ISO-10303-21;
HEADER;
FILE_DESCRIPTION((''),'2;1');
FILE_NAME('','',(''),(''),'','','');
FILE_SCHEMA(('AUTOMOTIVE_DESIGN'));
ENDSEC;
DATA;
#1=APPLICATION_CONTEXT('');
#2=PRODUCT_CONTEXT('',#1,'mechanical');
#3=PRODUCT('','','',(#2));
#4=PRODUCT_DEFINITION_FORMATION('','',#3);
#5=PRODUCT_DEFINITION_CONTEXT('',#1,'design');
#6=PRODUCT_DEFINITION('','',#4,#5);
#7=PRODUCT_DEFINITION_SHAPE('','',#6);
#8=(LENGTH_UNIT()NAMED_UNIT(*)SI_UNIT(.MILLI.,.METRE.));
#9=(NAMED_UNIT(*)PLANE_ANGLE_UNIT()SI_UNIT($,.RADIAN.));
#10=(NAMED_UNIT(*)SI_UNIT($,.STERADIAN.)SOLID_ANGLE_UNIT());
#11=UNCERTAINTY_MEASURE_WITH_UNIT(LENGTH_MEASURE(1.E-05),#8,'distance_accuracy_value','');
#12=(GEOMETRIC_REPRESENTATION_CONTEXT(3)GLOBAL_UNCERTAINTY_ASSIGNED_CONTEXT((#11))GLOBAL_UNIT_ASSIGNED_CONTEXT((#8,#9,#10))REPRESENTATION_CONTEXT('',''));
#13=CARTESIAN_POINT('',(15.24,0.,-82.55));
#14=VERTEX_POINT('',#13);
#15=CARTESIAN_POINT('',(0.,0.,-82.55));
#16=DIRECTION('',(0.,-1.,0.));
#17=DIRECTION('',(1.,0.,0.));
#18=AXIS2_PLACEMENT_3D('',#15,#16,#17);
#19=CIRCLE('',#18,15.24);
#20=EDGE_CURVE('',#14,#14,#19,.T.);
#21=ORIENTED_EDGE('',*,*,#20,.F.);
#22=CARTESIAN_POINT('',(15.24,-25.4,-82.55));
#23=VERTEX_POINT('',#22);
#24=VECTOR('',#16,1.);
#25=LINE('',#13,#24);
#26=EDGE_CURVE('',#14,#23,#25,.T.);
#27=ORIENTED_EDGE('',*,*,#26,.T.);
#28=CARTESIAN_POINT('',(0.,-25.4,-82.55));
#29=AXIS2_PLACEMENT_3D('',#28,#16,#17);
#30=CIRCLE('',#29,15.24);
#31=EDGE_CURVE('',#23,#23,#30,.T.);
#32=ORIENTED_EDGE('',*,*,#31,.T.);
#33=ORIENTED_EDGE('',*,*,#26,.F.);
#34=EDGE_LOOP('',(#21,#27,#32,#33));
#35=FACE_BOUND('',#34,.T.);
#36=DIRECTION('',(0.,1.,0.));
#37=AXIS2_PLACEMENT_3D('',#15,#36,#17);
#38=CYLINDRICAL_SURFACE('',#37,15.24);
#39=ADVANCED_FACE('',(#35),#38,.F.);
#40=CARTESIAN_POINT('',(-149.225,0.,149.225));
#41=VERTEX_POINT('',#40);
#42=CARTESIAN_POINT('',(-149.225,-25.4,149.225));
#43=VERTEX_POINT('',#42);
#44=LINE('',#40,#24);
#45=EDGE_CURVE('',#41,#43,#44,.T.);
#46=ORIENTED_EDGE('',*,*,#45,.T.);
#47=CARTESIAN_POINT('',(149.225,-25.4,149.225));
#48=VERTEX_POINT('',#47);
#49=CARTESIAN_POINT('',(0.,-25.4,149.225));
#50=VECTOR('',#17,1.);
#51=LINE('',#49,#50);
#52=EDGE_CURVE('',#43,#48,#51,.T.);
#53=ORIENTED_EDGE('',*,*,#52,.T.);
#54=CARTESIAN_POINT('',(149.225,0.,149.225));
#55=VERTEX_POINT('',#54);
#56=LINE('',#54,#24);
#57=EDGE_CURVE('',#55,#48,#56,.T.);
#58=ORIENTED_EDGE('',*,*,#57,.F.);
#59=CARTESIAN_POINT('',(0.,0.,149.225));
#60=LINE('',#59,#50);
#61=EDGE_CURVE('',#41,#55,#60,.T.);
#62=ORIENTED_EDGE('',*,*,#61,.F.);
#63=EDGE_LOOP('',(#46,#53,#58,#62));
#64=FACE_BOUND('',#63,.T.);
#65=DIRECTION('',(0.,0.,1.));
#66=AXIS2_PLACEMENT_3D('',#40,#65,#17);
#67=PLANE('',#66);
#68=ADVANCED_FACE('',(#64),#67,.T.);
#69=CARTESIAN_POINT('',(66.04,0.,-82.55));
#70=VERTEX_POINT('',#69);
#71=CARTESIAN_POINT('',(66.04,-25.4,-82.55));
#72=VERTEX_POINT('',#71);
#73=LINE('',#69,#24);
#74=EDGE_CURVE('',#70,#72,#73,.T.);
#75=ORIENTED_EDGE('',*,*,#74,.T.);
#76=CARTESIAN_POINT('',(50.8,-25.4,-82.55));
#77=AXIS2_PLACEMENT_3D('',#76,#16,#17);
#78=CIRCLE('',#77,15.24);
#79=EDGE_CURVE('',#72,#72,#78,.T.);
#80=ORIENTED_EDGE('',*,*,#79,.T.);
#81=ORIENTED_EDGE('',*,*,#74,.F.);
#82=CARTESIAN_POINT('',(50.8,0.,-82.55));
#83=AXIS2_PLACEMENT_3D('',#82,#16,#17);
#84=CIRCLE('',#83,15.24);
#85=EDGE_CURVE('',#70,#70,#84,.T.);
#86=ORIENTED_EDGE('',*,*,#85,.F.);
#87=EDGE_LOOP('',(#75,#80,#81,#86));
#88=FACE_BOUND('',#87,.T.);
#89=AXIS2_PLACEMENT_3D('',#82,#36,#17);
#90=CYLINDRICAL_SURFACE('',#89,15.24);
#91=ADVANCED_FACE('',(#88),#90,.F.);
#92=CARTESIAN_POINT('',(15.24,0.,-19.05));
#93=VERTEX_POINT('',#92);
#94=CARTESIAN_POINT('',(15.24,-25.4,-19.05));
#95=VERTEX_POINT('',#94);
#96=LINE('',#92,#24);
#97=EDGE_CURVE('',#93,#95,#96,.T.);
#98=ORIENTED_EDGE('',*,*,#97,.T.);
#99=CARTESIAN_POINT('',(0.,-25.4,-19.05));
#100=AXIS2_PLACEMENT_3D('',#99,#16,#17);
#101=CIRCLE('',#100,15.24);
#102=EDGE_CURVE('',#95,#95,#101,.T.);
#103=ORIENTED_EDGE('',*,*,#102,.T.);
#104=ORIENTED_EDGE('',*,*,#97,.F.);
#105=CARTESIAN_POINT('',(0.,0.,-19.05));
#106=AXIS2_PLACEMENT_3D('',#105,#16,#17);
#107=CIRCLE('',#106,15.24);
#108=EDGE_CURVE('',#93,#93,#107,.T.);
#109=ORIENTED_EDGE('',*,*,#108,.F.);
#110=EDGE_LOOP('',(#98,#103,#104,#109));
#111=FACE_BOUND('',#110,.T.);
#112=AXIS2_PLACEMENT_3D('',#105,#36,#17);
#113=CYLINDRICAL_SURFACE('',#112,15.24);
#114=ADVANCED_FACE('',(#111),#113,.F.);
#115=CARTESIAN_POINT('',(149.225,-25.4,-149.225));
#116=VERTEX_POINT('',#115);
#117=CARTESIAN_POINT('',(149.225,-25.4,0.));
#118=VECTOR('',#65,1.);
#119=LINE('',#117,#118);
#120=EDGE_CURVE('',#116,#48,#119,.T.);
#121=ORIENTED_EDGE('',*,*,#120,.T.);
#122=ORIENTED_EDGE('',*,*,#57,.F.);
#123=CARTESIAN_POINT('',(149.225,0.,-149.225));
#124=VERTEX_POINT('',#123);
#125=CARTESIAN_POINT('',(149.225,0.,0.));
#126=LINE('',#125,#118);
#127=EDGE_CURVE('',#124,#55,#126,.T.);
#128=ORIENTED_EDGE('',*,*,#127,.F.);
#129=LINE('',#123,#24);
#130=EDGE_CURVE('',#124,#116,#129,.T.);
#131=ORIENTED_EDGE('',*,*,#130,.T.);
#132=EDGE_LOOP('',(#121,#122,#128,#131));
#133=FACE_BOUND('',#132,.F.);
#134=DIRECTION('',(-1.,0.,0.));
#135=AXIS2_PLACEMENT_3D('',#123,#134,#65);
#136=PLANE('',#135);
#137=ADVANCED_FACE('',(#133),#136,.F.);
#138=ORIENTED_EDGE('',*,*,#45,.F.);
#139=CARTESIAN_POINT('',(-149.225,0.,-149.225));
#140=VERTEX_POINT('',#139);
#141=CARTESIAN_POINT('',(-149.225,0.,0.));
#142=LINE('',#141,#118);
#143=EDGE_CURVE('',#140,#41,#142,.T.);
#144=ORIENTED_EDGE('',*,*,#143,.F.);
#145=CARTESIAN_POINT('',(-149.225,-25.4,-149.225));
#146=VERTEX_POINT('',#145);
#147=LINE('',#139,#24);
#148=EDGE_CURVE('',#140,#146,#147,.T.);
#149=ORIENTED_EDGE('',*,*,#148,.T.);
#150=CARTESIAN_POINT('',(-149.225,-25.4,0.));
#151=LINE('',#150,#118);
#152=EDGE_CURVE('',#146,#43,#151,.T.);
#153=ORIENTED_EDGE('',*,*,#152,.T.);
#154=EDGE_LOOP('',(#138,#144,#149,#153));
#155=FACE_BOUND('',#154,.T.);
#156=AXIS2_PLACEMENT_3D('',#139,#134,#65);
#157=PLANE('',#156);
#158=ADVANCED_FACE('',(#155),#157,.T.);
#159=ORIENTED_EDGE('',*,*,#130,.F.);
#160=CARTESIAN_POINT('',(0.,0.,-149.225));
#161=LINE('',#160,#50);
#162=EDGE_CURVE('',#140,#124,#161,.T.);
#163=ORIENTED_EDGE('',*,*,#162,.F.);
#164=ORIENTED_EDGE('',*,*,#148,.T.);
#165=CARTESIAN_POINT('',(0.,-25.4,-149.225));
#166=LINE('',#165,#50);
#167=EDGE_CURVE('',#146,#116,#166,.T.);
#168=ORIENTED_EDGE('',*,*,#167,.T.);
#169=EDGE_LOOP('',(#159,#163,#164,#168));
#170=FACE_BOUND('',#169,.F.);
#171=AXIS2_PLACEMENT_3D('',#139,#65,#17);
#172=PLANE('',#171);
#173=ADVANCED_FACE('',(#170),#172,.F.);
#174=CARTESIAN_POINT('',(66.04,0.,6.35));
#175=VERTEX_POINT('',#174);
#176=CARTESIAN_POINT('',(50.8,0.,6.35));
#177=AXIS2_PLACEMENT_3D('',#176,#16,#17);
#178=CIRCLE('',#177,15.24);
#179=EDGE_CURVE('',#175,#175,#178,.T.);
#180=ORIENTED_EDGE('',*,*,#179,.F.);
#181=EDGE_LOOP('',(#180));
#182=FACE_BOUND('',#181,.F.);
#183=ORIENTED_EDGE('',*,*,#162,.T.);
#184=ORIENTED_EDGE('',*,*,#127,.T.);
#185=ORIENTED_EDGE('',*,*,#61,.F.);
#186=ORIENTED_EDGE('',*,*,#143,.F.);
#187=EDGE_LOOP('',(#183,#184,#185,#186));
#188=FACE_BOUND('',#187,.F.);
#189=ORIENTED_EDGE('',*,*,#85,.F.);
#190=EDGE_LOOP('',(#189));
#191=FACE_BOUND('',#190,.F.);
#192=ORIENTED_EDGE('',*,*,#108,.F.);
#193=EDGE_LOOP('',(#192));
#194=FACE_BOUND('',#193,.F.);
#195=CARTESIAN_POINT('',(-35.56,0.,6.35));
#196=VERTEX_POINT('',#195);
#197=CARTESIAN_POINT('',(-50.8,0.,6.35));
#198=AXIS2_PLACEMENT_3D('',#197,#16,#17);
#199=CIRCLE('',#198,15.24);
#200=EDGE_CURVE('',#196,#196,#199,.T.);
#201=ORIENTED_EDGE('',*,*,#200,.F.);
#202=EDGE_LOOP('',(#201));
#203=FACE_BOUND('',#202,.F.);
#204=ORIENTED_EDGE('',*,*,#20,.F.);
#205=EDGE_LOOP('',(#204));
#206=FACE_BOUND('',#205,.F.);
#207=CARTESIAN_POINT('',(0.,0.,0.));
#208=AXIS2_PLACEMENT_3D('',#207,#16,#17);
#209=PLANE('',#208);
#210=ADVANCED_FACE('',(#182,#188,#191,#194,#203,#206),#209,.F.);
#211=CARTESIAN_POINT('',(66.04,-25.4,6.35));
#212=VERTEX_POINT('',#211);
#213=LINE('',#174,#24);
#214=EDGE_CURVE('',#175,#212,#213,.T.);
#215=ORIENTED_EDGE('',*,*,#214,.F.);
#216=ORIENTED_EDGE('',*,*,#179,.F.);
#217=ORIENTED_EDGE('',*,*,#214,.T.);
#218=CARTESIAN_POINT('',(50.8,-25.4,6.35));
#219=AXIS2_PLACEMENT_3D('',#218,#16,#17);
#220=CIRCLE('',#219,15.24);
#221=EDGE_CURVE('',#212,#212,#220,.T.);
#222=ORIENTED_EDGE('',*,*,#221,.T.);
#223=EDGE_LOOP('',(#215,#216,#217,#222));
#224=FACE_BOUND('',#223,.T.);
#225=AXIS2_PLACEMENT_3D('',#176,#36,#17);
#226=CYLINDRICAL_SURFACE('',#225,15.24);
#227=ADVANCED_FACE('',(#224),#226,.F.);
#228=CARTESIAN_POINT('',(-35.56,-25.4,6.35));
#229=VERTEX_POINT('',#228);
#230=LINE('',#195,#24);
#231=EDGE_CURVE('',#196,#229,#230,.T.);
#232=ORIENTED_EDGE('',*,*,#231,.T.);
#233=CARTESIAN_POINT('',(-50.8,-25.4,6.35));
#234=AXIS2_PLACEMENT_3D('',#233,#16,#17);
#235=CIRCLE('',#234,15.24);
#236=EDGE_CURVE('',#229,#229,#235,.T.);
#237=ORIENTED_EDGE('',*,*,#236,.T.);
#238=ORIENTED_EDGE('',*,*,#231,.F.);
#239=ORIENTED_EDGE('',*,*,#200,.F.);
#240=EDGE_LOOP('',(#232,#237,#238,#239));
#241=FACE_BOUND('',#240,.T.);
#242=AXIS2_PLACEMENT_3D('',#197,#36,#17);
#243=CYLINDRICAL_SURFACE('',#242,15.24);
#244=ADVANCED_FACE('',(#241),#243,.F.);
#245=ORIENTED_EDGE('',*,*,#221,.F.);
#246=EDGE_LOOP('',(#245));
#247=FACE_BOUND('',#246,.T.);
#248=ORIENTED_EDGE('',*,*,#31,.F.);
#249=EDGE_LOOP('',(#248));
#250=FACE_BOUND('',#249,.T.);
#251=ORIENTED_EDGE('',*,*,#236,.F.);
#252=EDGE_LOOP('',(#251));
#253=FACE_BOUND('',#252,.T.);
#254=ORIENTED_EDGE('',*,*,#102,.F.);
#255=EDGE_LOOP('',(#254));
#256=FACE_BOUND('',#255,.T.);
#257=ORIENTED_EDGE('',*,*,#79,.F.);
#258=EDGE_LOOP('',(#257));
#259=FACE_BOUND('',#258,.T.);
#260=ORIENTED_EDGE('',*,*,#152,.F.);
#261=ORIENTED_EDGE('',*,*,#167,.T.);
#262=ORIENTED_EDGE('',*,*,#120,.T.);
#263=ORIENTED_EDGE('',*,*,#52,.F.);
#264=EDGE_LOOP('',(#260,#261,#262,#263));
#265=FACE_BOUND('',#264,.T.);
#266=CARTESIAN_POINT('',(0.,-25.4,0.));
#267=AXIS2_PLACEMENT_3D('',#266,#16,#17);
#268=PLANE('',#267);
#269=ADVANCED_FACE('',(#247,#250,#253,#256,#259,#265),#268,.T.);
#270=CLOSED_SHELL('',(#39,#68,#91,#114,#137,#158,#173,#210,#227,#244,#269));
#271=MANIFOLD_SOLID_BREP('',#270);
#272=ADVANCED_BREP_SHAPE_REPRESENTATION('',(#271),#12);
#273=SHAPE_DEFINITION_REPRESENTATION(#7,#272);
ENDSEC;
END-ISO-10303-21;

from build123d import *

# Parameters (mm, degrees)
F0_W     = 298.45
F0_H     = 298.45
F0_R     = 15.24
F1_DEPTH = 25.4


with BuildPart() as f1:
    # F0 (on Front) → F1 (new body)
    with BuildSketch(Plane.XZ):
        Rectangle(F0_W, F0_H)
        with Locations((0, -82.55)):
            Circle(F0_R, mode=Mode.SUBTRACT)
        with Locations((50.8, -82.55)):
            Circle(F0_R, mode=Mode.SUBTRACT)
        with Locations((0, -19.05)):
            Circle(F0_R, mode=Mode.SUBTRACT)
        with Locations((-50.8, 6.35)):
            Circle(F0_R, mode=Mode.SUBTRACT)
        with Locations((50.8, 6.35)):
            Circle(F0_R, mode=Mode.SUBTRACT)
    extrude(amount=F1_DEPTH)


solid = f1.part
